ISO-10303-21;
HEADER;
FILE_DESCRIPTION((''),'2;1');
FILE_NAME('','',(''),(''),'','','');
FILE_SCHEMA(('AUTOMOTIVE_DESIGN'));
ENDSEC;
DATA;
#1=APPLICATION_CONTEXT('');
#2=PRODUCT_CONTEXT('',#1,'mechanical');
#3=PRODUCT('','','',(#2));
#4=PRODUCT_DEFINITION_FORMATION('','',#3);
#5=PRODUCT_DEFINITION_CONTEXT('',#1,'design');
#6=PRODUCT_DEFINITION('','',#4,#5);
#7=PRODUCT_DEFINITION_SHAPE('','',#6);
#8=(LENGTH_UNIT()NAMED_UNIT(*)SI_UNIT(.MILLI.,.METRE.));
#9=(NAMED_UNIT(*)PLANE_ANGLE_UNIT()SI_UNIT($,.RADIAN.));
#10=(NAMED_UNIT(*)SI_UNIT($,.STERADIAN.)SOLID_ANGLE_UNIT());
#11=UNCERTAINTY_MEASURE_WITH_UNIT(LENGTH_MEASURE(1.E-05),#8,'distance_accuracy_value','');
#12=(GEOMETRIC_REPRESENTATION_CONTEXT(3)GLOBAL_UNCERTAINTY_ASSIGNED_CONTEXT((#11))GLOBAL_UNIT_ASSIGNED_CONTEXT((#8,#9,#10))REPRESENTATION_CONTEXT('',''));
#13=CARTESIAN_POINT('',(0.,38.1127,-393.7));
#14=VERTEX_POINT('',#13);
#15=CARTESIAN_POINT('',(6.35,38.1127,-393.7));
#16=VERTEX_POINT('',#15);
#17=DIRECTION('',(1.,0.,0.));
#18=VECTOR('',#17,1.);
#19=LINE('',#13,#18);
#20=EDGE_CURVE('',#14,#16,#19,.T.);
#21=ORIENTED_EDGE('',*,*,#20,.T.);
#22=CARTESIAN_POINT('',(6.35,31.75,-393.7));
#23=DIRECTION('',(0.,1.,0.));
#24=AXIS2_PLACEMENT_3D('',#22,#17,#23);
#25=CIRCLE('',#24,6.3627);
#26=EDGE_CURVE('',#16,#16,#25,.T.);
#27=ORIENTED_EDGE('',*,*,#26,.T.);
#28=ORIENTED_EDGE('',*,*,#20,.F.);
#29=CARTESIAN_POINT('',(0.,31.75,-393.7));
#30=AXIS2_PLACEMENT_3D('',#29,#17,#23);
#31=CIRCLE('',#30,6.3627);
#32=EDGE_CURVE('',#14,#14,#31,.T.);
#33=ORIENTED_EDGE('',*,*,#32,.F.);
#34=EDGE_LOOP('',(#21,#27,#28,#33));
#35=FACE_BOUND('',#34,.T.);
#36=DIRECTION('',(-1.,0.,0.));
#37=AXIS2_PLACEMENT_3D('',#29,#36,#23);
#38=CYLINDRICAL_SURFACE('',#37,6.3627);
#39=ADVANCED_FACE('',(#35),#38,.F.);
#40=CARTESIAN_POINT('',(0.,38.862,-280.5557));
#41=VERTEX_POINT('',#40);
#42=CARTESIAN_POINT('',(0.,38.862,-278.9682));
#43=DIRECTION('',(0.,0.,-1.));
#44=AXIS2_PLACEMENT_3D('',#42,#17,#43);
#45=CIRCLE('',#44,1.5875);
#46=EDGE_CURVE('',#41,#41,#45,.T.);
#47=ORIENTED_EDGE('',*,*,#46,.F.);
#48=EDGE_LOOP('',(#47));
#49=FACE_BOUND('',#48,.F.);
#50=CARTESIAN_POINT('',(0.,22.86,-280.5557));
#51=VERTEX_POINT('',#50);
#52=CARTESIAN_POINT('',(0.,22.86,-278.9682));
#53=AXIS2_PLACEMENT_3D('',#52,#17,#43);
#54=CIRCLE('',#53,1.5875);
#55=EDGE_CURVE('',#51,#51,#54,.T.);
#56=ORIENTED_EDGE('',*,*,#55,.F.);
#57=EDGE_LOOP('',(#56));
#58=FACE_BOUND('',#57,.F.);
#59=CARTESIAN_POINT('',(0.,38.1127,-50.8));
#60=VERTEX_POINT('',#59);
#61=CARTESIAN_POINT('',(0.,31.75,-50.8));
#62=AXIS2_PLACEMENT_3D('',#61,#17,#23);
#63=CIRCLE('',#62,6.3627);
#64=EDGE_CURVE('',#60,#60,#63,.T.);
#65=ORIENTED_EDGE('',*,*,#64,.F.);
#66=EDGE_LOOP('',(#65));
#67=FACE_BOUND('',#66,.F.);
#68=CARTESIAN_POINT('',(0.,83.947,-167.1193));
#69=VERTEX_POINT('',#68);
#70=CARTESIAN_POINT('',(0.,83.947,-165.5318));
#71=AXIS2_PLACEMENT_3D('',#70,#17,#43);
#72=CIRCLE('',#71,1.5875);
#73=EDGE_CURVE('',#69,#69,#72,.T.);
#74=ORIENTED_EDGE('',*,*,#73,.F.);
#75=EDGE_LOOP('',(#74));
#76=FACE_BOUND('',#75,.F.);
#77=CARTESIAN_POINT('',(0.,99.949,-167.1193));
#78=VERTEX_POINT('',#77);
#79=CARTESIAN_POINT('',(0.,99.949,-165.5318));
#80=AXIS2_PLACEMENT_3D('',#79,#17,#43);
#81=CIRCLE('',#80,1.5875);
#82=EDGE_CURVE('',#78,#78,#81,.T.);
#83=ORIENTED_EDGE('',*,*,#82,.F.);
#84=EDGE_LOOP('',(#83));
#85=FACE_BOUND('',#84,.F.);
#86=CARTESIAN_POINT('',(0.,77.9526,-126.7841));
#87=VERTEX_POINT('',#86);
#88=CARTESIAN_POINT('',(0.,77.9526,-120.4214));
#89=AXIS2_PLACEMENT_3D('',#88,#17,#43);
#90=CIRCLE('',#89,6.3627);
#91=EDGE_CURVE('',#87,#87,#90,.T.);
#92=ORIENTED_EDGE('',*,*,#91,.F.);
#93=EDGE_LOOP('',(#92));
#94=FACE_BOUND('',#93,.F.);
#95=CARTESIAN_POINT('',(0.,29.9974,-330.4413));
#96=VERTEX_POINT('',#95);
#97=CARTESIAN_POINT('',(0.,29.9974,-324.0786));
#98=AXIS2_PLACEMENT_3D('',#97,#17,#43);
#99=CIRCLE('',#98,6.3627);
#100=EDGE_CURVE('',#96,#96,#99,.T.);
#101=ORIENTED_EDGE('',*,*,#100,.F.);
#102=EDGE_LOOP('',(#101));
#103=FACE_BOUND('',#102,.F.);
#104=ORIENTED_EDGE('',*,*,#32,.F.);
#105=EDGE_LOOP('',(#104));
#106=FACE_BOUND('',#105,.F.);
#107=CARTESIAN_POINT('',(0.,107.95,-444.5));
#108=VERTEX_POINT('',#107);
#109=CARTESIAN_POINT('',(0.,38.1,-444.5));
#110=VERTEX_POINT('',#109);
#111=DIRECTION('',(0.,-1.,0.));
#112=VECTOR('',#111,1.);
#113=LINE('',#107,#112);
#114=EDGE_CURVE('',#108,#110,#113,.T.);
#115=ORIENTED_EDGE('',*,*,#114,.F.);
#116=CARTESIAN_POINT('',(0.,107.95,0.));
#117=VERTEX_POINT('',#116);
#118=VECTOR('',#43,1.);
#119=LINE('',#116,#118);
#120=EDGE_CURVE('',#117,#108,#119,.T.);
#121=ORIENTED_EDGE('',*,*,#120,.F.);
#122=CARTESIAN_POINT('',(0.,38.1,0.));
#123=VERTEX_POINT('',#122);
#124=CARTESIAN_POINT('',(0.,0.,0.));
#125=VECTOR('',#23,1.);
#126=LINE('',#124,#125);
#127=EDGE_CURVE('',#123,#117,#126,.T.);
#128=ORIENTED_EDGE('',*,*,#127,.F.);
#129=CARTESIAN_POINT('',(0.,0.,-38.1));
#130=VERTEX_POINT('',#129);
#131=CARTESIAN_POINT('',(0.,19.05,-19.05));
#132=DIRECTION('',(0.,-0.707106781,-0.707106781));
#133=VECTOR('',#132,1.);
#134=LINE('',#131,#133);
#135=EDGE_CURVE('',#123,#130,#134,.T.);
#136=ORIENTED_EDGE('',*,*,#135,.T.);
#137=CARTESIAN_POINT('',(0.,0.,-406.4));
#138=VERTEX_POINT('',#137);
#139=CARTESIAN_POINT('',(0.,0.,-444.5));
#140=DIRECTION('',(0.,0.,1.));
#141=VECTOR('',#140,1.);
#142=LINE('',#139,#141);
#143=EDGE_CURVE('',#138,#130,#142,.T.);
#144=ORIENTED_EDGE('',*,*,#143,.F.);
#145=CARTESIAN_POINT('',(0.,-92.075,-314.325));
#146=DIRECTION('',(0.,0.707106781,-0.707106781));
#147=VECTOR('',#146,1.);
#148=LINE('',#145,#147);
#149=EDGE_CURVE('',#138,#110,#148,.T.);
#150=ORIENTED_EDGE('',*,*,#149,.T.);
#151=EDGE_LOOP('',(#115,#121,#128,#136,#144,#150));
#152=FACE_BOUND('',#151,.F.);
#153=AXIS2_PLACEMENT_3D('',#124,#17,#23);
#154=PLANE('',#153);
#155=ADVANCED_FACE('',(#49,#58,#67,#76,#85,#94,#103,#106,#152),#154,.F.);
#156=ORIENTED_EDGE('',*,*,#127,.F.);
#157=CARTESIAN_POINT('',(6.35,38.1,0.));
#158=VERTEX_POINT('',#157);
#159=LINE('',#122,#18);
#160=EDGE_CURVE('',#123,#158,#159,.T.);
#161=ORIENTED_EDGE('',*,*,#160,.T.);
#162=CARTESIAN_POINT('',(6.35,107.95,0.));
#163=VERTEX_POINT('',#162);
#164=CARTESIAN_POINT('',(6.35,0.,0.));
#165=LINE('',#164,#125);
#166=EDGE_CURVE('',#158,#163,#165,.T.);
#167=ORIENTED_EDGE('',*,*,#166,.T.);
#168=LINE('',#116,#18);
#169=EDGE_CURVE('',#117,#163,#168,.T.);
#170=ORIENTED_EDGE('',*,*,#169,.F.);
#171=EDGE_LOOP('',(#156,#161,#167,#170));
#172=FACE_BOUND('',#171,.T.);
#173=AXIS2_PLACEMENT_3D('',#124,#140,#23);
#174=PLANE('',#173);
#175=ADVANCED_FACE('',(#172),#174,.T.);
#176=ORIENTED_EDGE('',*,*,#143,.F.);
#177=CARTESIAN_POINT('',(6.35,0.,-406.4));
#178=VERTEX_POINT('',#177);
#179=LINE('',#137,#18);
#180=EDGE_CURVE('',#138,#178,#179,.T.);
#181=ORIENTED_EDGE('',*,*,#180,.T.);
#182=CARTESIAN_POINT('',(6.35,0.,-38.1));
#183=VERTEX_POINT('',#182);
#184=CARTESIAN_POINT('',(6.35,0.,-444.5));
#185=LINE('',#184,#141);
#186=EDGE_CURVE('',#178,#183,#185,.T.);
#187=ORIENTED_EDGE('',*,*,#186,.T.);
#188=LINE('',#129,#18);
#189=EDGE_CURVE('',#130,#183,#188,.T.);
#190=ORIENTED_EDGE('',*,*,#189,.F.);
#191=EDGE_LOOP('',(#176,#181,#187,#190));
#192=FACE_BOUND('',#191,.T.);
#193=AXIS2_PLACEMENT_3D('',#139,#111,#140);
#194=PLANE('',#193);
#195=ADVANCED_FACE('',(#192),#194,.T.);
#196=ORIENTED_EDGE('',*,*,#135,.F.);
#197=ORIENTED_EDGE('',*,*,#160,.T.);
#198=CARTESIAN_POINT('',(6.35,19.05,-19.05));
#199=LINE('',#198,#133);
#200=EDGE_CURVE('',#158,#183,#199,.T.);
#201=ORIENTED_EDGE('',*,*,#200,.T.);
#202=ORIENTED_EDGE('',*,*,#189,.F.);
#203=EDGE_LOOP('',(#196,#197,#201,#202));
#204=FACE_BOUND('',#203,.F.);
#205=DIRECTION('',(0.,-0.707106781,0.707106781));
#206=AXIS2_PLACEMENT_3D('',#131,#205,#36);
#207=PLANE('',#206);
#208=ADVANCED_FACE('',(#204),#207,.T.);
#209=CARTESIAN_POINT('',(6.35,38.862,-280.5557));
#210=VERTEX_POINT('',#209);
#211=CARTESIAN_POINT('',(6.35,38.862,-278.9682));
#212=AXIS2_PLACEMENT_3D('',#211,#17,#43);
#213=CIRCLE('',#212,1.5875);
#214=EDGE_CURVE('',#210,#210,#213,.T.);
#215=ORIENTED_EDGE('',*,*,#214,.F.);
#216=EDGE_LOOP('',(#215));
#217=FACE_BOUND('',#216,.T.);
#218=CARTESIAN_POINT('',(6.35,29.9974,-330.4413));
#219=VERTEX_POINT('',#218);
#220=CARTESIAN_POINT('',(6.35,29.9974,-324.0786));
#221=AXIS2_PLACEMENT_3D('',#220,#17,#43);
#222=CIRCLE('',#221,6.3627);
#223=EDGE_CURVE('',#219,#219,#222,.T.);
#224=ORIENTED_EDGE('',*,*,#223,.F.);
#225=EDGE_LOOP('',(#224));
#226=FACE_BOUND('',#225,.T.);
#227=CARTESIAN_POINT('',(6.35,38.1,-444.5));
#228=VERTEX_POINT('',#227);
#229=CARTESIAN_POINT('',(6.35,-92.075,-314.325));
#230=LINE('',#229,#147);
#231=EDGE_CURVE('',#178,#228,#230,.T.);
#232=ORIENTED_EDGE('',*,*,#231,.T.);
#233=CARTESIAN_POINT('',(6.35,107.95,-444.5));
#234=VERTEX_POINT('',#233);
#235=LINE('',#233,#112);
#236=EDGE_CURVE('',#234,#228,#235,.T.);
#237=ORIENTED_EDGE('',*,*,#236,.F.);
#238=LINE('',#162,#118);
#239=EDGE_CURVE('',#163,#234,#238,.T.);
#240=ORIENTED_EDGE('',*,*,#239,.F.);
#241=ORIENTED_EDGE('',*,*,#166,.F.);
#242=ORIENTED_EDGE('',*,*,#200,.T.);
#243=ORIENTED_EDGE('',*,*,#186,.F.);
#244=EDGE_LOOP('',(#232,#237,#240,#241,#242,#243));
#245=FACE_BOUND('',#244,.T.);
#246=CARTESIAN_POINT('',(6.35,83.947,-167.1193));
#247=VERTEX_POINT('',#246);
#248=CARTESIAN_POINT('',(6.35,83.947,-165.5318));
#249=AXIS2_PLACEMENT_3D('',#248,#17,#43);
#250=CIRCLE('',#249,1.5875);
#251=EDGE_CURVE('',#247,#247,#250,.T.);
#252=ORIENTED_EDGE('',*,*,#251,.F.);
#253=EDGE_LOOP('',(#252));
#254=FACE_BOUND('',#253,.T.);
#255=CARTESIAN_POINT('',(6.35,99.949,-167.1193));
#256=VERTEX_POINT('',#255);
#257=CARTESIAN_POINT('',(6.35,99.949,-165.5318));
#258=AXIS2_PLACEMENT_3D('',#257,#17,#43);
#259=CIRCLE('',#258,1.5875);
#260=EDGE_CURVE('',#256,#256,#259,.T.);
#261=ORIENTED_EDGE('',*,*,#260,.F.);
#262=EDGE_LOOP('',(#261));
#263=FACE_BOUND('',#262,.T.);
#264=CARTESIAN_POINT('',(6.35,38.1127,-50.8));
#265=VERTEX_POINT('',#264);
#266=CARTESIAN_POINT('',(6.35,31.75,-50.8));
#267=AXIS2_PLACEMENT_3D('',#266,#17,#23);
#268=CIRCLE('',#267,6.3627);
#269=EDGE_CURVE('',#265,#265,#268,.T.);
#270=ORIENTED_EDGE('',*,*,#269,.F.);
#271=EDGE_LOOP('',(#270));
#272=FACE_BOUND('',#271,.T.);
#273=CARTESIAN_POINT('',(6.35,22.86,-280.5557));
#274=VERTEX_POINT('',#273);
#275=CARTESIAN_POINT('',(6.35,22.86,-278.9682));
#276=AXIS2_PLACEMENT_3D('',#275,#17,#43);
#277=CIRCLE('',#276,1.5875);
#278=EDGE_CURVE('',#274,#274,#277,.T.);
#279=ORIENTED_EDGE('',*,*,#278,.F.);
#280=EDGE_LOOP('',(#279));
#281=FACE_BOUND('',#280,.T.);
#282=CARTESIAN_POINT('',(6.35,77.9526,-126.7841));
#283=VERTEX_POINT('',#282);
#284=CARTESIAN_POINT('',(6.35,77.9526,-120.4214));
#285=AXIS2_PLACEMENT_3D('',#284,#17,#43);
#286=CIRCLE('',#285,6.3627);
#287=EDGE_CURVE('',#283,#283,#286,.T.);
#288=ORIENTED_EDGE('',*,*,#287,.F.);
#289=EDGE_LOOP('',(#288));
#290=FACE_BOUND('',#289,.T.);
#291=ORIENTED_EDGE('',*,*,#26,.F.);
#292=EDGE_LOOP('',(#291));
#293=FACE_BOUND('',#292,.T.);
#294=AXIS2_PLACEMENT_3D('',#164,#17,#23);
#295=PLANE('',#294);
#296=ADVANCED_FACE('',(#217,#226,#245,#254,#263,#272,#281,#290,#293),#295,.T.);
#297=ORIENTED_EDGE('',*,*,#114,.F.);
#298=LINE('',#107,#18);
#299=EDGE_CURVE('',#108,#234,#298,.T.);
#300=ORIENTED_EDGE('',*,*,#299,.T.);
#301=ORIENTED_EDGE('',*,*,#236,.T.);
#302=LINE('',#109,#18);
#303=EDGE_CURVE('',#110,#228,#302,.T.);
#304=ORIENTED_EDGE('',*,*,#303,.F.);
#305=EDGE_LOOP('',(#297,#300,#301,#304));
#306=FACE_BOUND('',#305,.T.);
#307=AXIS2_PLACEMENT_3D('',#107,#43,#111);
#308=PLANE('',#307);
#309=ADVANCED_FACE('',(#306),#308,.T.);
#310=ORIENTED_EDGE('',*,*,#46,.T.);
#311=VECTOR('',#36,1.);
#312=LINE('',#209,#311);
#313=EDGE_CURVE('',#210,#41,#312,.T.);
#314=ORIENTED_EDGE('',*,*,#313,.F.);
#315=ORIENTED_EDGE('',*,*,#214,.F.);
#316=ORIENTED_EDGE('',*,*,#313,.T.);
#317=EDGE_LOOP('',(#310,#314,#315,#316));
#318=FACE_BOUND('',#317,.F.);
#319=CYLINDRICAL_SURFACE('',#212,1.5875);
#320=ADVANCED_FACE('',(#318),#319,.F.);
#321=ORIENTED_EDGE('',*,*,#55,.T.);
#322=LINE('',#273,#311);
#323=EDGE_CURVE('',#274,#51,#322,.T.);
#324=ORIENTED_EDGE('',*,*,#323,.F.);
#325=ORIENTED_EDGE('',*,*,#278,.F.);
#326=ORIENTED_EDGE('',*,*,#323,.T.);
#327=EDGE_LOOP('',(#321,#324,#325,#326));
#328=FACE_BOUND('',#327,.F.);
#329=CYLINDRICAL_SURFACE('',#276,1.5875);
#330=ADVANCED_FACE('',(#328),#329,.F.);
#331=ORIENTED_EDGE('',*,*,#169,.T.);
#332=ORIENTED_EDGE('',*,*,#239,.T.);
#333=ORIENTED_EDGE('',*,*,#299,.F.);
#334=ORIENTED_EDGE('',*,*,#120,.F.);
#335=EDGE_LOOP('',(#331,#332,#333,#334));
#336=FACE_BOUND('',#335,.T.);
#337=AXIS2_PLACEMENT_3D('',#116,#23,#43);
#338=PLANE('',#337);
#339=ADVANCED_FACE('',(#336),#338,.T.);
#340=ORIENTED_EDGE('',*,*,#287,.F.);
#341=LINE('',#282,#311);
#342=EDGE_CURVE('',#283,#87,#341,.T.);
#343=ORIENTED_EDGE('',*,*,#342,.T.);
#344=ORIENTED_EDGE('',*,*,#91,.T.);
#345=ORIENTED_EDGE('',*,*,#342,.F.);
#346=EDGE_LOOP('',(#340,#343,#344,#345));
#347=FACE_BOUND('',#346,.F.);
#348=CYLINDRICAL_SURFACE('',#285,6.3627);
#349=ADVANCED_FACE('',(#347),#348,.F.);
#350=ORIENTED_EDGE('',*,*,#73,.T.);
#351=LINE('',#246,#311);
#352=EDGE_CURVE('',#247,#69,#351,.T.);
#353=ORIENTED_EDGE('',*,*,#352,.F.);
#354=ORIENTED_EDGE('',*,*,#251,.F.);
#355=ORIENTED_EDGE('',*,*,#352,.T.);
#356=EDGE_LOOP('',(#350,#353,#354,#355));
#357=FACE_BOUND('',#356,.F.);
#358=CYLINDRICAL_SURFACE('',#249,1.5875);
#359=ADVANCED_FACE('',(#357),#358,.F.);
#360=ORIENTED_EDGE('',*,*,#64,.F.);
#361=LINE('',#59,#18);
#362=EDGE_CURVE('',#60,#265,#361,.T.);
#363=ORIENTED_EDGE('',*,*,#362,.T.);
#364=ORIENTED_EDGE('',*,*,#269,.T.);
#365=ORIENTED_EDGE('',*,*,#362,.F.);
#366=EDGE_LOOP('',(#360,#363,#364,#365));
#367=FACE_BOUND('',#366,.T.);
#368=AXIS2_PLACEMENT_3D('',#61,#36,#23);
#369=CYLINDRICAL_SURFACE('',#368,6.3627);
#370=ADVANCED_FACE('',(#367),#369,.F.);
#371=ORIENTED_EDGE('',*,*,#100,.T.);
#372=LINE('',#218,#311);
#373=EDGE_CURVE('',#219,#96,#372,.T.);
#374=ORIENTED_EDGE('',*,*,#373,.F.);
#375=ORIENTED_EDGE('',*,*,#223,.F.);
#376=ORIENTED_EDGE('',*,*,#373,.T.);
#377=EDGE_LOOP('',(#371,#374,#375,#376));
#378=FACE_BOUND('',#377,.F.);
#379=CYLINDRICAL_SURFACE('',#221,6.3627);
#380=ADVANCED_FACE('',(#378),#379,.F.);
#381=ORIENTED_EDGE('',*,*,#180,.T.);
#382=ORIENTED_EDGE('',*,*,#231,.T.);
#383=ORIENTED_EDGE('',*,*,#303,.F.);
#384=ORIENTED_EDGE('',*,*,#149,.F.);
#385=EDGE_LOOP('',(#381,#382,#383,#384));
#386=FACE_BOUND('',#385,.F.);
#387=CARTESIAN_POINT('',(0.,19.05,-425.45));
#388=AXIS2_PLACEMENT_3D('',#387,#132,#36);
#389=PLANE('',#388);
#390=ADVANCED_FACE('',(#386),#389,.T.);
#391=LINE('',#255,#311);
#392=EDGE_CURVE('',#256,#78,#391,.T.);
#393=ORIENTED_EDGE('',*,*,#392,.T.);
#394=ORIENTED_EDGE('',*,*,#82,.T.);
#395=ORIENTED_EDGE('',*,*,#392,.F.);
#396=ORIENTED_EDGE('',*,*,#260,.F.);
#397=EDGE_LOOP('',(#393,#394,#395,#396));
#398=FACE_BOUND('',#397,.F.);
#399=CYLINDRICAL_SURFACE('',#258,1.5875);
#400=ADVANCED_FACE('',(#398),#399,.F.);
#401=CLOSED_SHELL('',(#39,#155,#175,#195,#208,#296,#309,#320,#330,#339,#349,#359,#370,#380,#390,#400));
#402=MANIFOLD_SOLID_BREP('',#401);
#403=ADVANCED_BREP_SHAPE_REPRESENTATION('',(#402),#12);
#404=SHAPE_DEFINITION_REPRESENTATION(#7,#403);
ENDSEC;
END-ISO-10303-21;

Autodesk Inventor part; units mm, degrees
ref_plane "YZ Plane" through (0, 0, 0) normal (1, 0, 0) x (0, 1, 0)
ref_plane "XZ Plane" through (0, 0, 0) normal (0, 1, 0) x (-1, 0, 0)
ref_plane "XY Plane" through (0, 0, 0) normal (0, 0, 1) x (1, 0, 0)
sketch "Sketch1" plane through (0, 0, 0) normal (1, 0, 0) x (0, 1, 0)
  line L0 (0, 0) -> (107.95, 0)
  line L1 (107.95, 0) -> (107.95, -444.5)
  line L2 (107.95, -444.5) -> (0, -444.5)
  line L3 (0, -444.5) -> (0, 0)
  circle A0 centre (31.75, -50.8) radius 6.3627
  circle A1 centre (31.75, -393.7) radius 6.3627
  circle A2 centre (92.6338, -165.5318) radius 1.5875
  circle A3 centre (76.6318, -165.5318) radius 1.5875
  circle A4 centre (15.3162, -278.9682) radius 1.5875
  circle A5 centre (31.3182, -278.9682) radius 1.5875
  dimension "d0" = 107.95
  dimension "d1" = 444.5
  dimension "d2" = 12.7254
  dimension "d3" = 31.75
  dimension "d4" = 50.8
  dimension "d5" = 50.8
  dimension "d22" = 165.5318
  dimension "d23" = 3.175
  dimension "d24" = 15.3162
  dimension "d25" = 3.175
  dimension "d26" = 16.002
  dimension "d27" = 165.5318
  dimension "d28" = 3.175
  dimension "d29" = 15.3162
  dimension "d30" = 165.5318
  dimension "d31" = 3.175
  dimension "d32" = 16.002
  dimension "d33" = 165.5318
extrude "Extrusion1" add sketch "Sketch1" along normal blind 6.35 contours L0 L1 L2 L3 | A2 | A3 | A4 | A5
chamfer "Chamfer1" distance 38.1 angle 45 1 edges at (3.175, 0, 0)
chamfer "Chamfer2" distance 38.1 angle 45 1 edges at (3.175, 0, -444.5)
sketch "Sketch2" plane through (6.35, 0, 0) normal (1, 0, 0) x (0, 0, -1)
  line L0 (444.5, 38.1) -> (406.4, 0) projected
  line L1 (444.5, 38.1) -> (444.5, 107.95) projected
  line L2 (444.5, 107.95) -> (0, 107.95) projected
  line L3 (0, 107.95) -> (0, 38.1) projected
  line L4 (38.1, 0) -> (0, 38.1) projected
  line L5 (38.1, 0) -> (406.4, 0) projected
  circle A0 centre (393.7, 31.75) radius 6.3627 projected
  circle A1 centre (50.8, 31.75) radius 6.3627 projected
  circle A2 centre (120.4214, 77.9526) radius 6.3627
  circle A3 centre (324.0786, 29.9974) radius 6.3627
  point P0 (0, 0)
  dimension "d14" = 12.7254
  dimension "d15" = 120.4214
  dimension "d16" = 29.9974
  dimension "d17" = 12.7254
  dimension "d18" = 29.9974
  dimension "d19" = 120.4214
extrude "Extrusion2" cut sketch "Sketch2" against normal blind 25.4 contours A2 | A3
sketch "Sketch3" plane through (6.35, 0, 0) normal (1, 0, 0) x (0, 0, -1)
  circle A0 centre (120.4214, 77.9526) radius 6.3627 projected
  circle A1 centre (324.0786, 29.9974) radius 6.3627 projected
  line L0 (444.5, 38.1) -> (406.4, 0) projected
  line L1 (444.5, 38.1) -> (444.5, 107.95) projected
  line L2 (444.5, 107.95) -> (0, 107.95) projected
  line L3 (0, 107.95) -> (0, 38.1) projected
  line L4 (38.1, 0) -> (0, 38.1) projected
  line L5 (38.1, 0) -> (406.4, 0) projected
  circle A2 centre (393.7, 31.75) radius 6.3627 projected
  circle A3 centre (50.8, 31.75) radius 6.3627 projected
  circle A4 centre (165.5318, 99.949) radius 1.5875
  circle A5 centre (165.5318, 83.947) radius 1.5875
  circle A6 centre (278.9682, 22.86) radius 1.5875
  circle A7 centre (278.9682, 38.862) radius 1.5875
  point P0 (0, 0)
  dimension "d34" = 3.175
  dimension "d35" = 165.5318
  dimension "d36" = 8.001
  dimension "d37" = 3.175
  dimension "d38" = 16.002
  dimension "d39" = 3.175
  dimension "d40" = 3.175
  dimension "d41" = 22.86
  dimension "d42" = 16.002
  dimension "d43" = 165.5318
extrude "Extrusion3" cut sketch "Sketch3" against normal blind 25.4 contours A4 | A5 | A6 | A7
properties part number "DriveTrain3.0"
